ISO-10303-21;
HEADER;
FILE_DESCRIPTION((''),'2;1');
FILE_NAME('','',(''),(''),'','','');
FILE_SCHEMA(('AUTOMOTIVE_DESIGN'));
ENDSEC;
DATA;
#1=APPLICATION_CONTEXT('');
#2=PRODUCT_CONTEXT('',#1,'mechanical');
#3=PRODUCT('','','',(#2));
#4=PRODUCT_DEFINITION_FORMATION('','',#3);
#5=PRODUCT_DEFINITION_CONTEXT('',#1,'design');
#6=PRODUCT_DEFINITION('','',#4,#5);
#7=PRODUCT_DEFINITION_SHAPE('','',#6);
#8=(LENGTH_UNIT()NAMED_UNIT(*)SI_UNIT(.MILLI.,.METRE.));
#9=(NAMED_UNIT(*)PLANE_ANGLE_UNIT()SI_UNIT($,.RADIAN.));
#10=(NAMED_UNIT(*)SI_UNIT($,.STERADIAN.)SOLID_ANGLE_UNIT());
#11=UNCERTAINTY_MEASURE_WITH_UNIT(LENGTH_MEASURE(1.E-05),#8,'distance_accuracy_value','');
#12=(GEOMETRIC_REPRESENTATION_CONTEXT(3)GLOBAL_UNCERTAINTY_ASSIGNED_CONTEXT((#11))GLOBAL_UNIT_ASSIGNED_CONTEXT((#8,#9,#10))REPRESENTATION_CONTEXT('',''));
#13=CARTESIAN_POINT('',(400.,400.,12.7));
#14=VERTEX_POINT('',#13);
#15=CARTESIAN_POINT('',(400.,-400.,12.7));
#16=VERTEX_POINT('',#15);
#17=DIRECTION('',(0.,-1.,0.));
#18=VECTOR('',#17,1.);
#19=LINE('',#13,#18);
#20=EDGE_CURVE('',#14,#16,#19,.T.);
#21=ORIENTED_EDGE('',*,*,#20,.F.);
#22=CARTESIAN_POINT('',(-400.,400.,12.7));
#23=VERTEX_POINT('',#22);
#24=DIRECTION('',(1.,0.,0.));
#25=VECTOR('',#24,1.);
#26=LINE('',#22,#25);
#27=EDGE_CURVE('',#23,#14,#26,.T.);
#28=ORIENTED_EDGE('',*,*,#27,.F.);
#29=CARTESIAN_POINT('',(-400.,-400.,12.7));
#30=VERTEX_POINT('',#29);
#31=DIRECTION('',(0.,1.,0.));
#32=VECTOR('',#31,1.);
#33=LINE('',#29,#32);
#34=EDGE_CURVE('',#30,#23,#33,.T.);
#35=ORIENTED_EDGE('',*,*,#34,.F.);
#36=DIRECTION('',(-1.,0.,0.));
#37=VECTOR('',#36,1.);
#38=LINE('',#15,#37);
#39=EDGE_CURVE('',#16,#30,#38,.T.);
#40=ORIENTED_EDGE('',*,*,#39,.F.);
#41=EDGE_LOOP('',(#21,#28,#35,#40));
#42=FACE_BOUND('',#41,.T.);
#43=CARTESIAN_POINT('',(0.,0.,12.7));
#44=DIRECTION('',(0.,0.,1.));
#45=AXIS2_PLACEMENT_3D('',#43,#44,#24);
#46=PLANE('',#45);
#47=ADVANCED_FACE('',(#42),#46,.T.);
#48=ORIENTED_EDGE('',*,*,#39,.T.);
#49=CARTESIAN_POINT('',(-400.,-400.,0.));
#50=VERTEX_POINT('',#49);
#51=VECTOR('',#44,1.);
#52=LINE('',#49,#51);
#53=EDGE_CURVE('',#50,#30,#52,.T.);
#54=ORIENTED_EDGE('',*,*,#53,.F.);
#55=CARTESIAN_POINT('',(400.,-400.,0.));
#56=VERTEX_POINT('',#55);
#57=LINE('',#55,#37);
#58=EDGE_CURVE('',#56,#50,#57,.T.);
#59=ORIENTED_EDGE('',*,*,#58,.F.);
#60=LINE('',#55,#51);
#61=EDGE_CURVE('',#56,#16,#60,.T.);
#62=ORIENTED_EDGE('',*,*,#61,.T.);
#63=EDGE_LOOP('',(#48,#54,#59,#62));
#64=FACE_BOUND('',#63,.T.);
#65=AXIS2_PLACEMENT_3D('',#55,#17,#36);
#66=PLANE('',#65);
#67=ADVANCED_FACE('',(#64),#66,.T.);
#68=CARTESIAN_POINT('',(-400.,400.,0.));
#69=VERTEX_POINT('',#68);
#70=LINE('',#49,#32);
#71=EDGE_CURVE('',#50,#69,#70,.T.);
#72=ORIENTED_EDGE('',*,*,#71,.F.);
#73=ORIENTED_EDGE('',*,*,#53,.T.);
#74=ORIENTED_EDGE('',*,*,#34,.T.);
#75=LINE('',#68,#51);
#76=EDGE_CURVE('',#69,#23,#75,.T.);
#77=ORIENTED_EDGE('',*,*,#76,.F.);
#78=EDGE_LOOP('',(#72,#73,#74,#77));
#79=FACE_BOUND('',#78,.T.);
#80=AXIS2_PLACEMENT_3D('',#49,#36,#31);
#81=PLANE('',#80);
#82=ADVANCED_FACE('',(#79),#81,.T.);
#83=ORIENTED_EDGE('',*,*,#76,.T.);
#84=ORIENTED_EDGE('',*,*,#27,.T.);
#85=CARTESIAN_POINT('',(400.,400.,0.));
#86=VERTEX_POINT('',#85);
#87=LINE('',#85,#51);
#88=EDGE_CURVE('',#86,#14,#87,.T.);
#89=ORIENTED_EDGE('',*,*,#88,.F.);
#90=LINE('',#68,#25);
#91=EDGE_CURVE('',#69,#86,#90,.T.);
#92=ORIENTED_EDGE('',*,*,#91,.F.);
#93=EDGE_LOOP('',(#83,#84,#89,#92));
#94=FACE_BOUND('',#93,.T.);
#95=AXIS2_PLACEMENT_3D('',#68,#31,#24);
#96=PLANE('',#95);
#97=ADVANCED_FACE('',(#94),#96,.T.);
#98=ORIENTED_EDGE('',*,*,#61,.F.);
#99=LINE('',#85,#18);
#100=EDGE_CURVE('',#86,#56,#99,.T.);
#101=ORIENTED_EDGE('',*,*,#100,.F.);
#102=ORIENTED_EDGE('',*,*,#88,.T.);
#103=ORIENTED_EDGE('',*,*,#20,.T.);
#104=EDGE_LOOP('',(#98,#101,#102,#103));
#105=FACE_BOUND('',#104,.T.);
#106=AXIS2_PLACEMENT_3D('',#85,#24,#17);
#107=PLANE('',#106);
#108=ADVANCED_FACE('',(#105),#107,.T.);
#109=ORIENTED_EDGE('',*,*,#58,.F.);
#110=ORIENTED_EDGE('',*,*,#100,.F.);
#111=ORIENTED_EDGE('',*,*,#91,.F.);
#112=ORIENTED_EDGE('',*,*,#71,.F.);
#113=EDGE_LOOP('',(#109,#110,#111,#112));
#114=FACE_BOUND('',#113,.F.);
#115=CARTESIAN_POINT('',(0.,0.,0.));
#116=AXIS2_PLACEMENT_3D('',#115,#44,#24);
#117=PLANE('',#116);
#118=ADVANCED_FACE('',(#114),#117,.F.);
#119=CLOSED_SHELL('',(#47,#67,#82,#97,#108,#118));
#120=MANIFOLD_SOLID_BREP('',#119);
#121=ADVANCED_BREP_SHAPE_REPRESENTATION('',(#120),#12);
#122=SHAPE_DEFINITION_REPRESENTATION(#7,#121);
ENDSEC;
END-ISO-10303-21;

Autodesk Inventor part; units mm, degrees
ref_plane "YZ Plane" through (0, 0, 0) normal (1, 0, 0) x (0, 1, 0)
ref_plane "XZ Plane" through (0, 0, 0) normal (0, 1, 0) x (-1, 0, 0)
ref_plane "XY Plane" through (0, 0, 0) normal (0, 0, 1) x (1, 0, 0)
sketch "Sketch1" plane through (0, 0, 0) normal (0, 0, 1) x (1, 0, 0)
  line L0 (-400, 400) -> (400, 400)
  line L1 (400, 400) -> (400, -400)
  line L2 (400, -400) -> (-400, -400)
  line L3 (-400, -400) -> (-400, 400)
  line L4 (-400, 400) -> (400, -400) construction
  line L5 (400, 400) -> (-400, -400) construction
  point P0 (0, 0)
  dimension "d0" = 800
  dimension "d1" = 800
extrude "Extrusion1" add sketch "Sketch1" along normal blind 12.7
properties part number "5100_Base_Board_MPSv2_v1" material "Wood (Oak)"
